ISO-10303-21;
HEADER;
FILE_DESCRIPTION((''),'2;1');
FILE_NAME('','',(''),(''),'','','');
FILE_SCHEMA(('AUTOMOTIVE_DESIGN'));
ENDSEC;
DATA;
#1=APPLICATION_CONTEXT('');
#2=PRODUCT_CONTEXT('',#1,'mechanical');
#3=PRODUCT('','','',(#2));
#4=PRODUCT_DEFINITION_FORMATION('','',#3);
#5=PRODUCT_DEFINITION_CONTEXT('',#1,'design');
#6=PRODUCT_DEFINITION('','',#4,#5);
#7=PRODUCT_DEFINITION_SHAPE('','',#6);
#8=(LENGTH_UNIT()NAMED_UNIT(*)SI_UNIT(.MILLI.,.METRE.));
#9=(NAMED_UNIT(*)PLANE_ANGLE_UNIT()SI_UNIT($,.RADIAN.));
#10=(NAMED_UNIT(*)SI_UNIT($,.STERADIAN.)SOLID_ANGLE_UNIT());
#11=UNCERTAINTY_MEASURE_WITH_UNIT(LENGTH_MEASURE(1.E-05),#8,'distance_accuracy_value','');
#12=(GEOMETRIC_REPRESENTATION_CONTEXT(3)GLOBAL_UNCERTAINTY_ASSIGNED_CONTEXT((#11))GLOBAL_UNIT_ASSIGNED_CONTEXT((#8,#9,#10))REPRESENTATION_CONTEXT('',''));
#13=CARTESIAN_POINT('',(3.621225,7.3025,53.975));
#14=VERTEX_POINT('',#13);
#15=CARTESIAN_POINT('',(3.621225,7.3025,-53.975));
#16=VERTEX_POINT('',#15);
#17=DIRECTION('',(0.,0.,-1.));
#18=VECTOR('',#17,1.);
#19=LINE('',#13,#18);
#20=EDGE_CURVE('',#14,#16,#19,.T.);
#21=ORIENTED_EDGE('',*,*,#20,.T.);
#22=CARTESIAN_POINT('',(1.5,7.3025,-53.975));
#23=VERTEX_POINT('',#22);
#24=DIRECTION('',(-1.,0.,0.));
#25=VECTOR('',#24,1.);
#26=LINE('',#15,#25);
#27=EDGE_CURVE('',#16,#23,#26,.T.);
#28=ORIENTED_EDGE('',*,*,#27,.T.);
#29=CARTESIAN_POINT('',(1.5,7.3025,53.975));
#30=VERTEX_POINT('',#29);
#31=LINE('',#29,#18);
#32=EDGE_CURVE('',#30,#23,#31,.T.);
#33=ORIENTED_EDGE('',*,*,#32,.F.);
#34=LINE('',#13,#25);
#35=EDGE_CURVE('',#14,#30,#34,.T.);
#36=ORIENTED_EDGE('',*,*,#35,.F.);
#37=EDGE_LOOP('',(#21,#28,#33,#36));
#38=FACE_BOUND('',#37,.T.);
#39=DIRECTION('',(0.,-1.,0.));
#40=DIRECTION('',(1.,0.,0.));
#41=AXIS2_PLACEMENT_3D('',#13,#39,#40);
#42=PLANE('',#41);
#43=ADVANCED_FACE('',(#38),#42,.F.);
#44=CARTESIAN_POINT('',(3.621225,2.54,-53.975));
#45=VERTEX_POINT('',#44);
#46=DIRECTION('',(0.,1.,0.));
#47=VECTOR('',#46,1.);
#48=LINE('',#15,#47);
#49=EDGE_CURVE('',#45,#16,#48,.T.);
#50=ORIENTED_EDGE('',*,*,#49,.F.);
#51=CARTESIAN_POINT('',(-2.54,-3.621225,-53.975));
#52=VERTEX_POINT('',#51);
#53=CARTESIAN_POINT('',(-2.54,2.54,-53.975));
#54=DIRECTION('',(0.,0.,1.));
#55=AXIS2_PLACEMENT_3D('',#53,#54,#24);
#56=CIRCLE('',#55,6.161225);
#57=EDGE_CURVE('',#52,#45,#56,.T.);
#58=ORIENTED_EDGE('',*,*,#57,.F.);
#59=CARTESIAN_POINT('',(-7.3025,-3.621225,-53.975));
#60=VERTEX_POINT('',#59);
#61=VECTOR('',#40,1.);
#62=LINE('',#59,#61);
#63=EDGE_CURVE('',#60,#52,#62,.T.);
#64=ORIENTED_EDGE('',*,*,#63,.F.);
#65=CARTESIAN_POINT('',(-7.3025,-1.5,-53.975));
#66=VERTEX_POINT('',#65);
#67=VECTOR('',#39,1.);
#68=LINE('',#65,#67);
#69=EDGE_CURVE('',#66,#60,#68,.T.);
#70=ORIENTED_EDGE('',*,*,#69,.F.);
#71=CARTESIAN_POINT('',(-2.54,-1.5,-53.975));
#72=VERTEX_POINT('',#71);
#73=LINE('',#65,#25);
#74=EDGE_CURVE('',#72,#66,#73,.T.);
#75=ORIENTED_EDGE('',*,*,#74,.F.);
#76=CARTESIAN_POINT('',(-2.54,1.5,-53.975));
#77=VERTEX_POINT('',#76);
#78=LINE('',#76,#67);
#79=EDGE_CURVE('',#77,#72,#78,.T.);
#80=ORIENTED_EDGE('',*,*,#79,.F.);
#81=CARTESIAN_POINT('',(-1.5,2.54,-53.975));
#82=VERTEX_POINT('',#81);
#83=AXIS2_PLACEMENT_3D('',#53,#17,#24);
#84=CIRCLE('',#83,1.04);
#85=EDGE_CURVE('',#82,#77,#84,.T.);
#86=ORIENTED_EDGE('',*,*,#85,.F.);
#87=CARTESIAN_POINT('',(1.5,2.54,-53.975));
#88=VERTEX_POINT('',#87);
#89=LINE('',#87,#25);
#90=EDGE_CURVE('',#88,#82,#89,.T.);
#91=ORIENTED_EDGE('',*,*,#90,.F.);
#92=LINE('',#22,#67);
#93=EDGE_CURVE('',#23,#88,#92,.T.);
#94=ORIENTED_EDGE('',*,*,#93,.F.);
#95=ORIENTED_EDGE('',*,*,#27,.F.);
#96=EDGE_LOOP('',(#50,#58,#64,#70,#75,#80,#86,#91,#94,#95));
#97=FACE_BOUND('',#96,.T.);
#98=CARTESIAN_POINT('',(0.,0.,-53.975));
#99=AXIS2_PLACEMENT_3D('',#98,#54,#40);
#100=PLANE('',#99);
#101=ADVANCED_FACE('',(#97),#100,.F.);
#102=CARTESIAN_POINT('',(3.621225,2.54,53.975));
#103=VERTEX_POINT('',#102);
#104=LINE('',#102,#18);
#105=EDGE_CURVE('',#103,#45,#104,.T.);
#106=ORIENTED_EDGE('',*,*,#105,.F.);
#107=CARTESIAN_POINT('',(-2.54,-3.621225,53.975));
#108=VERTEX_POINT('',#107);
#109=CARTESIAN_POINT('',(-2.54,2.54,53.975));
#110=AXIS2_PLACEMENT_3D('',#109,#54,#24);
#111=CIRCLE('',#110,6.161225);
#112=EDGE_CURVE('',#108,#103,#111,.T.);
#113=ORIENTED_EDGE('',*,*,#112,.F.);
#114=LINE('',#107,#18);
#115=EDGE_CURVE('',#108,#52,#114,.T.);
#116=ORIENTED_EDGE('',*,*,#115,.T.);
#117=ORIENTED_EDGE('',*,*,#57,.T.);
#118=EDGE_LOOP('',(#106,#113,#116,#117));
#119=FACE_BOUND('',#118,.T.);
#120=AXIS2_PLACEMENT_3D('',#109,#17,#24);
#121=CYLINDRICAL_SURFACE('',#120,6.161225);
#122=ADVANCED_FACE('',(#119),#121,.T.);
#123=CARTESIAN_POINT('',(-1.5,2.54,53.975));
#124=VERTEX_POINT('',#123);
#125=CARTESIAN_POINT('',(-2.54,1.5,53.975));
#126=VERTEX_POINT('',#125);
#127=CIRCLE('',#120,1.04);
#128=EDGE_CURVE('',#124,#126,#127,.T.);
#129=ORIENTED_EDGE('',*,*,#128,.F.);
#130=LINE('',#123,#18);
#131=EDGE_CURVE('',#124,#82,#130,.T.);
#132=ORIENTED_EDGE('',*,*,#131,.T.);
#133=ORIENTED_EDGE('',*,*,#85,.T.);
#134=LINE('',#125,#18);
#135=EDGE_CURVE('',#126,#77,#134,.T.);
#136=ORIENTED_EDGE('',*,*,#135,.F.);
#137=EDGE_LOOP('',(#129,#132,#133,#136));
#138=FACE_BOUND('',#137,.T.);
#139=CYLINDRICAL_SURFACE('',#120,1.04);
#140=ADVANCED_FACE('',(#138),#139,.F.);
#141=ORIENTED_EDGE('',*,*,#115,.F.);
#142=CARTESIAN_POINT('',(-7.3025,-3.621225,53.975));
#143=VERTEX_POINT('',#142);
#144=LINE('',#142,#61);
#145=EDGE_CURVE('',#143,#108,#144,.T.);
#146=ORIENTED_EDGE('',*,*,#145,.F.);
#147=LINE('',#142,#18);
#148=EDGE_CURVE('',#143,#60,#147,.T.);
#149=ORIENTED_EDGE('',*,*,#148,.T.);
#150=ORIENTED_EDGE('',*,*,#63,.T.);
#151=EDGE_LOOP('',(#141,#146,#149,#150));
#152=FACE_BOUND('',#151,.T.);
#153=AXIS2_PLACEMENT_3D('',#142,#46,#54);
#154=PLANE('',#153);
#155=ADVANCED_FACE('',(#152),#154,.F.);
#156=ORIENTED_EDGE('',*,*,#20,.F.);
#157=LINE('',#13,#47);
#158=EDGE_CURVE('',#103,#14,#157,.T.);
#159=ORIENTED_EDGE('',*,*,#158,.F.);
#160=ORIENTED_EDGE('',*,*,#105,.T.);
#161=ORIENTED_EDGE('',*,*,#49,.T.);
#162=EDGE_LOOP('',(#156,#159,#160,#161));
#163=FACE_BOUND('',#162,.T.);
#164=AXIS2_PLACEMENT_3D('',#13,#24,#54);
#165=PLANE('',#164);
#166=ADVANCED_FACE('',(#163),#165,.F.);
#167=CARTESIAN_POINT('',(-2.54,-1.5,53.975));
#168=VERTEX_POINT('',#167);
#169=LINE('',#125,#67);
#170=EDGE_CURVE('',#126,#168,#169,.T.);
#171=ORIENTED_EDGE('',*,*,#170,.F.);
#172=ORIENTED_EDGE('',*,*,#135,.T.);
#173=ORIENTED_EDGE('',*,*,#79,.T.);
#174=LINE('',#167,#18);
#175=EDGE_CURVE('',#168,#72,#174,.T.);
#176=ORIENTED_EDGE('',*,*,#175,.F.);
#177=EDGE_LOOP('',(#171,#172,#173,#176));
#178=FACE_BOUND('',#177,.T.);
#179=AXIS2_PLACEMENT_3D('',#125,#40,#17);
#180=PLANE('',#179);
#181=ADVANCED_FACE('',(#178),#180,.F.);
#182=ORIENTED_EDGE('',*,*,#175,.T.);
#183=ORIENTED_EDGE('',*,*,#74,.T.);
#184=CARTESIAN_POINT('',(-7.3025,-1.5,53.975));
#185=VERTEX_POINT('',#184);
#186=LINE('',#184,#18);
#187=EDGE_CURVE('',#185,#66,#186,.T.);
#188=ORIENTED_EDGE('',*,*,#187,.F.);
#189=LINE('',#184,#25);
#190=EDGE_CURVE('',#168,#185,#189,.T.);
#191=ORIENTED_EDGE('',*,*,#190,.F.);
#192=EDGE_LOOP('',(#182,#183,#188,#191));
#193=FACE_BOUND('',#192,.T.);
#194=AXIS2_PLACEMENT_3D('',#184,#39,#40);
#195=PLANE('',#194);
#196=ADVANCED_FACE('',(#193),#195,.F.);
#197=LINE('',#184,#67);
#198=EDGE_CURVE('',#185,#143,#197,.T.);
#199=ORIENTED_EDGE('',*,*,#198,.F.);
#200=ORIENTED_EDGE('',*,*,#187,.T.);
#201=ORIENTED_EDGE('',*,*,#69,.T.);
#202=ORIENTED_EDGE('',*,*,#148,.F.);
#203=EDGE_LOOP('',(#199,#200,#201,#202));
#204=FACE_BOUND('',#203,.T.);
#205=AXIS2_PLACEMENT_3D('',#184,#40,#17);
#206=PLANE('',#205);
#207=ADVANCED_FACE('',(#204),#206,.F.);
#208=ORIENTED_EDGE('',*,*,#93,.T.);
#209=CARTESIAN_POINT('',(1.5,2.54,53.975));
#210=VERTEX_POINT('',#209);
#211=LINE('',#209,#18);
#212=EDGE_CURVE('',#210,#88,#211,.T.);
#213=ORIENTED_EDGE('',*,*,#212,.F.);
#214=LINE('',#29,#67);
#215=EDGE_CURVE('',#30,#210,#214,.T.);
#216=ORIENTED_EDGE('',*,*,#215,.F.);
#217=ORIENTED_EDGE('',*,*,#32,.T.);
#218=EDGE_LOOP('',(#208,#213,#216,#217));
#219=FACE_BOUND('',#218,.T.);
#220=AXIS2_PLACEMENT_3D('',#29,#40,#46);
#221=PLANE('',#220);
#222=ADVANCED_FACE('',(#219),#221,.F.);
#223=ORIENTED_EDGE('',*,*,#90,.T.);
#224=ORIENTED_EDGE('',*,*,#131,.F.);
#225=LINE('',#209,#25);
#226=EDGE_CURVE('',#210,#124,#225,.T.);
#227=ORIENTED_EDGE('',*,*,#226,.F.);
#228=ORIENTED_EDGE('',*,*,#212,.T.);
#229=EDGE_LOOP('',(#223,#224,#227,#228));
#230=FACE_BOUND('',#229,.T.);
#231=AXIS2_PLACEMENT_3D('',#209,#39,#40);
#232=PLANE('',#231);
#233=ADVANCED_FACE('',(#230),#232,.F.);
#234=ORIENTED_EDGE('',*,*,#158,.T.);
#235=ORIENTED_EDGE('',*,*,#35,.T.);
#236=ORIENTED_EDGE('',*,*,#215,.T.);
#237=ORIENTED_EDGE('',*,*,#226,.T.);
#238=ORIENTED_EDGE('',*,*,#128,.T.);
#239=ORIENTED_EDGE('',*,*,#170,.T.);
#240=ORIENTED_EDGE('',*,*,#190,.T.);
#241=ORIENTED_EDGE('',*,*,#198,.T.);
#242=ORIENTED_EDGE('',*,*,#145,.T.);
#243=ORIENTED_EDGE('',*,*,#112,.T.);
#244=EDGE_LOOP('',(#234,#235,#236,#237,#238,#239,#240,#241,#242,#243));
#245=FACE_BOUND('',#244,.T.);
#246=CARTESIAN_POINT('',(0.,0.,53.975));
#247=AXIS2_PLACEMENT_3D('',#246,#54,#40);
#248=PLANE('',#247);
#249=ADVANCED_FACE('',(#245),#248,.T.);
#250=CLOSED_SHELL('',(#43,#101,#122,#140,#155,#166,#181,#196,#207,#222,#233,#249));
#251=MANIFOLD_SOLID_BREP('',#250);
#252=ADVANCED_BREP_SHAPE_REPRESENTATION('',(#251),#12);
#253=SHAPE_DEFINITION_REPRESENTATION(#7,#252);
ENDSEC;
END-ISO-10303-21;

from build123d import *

# Parameters (mm, degrees)
SKETCH7_W           = 4.7625
SKETCH7_H           = 2.12122512
BOSS_EXTRUDE2_DEPTH = 53.975
SKETCH8_W           = 2.12122512
SKETCH8_H           = 4.7625
BOSS_EXTRUDE3_DEPTH = 53.975
BOSS_EXTRUDE4_DEPTH = 53.975


with BuildPart() as part:
    # Sketch7 → Boss-Extrude2 (new, symmetric)
    with BuildSketch(Plane.XY):
        with Locations((-4.92125, -2.560612608)):
            Rectangle(SKETCH7_W, SKETCH7_H)
    extrude(amount=BOSS_EXTRUDE2_DEPTH, both=True)



with BuildPart() as body_2:
    # Sketch8 → Boss-Extrude3 (new, symmetric)
    with BuildSketch(Plane.XY):
        with Locations((2.560612608, 4.92125)):
            Rectangle(SKETCH8_W, SKETCH8_H)
    extrude(amount=BOSS_EXTRUDE3_DEPTH, both=True)


with BuildPart() as part_1:
    add(part.part)

    add(body_2.part)  # Boss-Extrude4 merges body 2
    # Sketch11 → Boss-Extrude4 (add, symmetric)
    with BuildSketch(Plane.XY):
        with BuildLine():
            Line((-2.54, -1.500000048), (-7.3025, -1.500000048))
            Line((-7.3025, -1.500000048), (-7.3025, -3.621225168))
            Line((-7.3025, -3.621225168), (-2.54, -3.621225168))
            ThreePointArc((-2.54, -3.621225168), (1.816644097, -1.816644097), (3.621225168, 2.54))
            Line((3.621225168, 2.54), (3.621225168, 7.3025))
            Line((3.621225168, 7.3025), (1.500000048, 7.3025))
            Line((1.500000048, 7.3025), (1.500000048, 2.54))
            Line((1.500000048, 2.54), (-1.500000048, 2.54))
            ThreePointArc((-1.500000048, 2.54), (-1.804608982, 1.804608982), (-2.54, 1.500000048))
            Line((-2.54, 1.500000048), (-2.54, -1.500000048))
        make_face()
    extrude(amount=BOSS_EXTRUDE4_DEPTH, both=True)


solid = part_1.part
